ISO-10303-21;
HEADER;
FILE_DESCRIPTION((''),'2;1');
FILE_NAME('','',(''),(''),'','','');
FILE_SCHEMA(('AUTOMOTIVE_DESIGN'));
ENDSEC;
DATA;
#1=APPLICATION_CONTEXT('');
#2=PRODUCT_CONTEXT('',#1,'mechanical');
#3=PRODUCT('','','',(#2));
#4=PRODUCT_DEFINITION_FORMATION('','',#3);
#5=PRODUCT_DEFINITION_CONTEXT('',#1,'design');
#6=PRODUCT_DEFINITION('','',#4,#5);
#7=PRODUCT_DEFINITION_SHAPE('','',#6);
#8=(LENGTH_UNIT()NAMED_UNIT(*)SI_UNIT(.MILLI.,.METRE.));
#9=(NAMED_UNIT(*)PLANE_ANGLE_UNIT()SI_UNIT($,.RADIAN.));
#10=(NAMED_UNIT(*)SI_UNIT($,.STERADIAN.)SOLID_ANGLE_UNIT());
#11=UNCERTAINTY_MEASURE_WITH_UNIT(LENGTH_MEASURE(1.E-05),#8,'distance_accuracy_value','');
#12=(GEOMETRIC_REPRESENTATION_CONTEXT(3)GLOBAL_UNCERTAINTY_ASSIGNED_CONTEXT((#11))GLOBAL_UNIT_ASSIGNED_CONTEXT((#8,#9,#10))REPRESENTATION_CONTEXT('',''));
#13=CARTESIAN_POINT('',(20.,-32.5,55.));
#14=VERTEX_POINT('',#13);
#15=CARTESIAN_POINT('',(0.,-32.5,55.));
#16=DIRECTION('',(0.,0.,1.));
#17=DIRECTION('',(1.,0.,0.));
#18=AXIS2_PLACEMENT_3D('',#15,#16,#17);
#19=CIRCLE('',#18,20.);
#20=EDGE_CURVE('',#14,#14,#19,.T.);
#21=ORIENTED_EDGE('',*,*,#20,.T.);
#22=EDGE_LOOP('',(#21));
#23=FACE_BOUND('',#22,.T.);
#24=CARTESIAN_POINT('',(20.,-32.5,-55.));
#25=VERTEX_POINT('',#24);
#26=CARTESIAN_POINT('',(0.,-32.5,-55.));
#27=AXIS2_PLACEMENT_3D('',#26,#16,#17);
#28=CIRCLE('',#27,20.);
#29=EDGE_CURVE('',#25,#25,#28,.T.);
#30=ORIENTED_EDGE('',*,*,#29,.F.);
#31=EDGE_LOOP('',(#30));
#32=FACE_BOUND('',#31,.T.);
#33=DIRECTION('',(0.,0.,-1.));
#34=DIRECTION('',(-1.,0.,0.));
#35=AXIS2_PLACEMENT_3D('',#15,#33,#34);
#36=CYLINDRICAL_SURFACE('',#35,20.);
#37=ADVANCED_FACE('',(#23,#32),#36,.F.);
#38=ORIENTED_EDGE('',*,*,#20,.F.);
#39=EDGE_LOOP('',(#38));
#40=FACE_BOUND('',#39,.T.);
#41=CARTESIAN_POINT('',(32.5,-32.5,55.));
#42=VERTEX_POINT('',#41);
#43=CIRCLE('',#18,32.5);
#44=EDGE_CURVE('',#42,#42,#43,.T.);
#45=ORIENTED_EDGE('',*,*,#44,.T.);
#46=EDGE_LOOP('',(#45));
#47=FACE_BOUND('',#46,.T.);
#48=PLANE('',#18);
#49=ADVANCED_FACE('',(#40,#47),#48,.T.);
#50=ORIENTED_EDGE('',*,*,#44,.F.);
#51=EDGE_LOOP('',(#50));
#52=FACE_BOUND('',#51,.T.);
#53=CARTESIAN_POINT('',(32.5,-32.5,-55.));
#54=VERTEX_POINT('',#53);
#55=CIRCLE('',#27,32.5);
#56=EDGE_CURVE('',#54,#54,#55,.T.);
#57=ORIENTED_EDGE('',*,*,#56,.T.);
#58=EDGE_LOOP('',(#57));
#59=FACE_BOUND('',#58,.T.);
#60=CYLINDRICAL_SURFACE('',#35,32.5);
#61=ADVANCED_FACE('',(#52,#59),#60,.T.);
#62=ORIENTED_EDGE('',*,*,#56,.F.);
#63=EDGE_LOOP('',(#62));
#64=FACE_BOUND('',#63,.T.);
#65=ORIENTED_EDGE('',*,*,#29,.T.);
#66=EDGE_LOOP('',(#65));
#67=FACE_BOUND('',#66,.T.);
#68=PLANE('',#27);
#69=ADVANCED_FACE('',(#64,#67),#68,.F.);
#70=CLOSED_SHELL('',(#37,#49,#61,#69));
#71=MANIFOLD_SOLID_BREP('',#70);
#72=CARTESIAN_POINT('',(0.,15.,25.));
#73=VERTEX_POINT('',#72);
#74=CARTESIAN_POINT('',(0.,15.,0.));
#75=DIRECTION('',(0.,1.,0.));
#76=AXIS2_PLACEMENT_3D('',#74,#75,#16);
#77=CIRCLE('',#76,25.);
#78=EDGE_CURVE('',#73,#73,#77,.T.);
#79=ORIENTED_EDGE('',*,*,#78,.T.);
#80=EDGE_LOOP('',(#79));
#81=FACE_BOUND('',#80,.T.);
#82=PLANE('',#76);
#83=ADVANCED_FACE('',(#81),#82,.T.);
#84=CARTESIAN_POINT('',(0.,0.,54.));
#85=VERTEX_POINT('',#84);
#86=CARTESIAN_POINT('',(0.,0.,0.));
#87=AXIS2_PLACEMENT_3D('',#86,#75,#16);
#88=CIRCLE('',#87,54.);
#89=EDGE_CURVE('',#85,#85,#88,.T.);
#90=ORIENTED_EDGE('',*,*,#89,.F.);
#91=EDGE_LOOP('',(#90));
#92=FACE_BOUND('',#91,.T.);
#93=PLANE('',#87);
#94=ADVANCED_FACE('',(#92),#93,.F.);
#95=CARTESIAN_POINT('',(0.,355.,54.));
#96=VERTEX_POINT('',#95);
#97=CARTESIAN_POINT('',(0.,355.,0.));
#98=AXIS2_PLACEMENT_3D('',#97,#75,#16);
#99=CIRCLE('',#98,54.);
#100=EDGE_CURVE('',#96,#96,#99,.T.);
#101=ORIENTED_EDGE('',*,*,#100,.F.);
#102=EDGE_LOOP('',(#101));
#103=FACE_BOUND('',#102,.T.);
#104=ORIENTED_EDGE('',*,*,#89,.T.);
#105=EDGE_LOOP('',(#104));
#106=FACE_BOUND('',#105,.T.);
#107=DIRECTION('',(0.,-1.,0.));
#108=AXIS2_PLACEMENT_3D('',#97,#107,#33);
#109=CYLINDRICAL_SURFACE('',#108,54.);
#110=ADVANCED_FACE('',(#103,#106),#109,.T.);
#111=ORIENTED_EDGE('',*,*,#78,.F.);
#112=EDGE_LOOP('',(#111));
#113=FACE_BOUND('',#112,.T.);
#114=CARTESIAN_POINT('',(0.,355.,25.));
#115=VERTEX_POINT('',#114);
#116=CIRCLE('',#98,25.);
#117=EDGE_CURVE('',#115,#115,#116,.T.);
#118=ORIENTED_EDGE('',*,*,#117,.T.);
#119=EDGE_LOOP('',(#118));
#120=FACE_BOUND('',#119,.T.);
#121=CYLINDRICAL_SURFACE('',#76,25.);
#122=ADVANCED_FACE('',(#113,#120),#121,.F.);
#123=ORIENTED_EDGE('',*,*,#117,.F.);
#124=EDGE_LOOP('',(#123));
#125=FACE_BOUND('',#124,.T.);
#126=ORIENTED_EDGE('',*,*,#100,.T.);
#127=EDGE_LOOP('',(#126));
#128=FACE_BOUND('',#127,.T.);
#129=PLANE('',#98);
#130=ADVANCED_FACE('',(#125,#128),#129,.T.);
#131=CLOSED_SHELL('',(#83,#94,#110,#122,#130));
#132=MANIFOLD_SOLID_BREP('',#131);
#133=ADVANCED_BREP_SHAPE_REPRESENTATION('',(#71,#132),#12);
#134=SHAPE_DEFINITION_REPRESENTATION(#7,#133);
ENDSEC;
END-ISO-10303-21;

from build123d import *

# Parameters (mm, degrees)
SKETCH_1_R          = 54
EXTRUDE_1_DEPTH     = 355
SKETCH_2_R          = 25
CUT_EXTRUDE_1_DEPTH = 340
SKETCH_3_R          = 32.5
SKETCH_3_R_2        = 20
EXTRUDE_2_DEPTH     = 55


with BuildPart() as part:
    # 草图1 → 凸台-拉伸1 (new body)
    with BuildSketch(Plane(origin=(0, 0, 0), x_dir=(1, 0, 0), z_dir=(0, 1, 0))):
        with Locations(Location((0, 0, 0), (0, 0, 270))):
            Circle(SKETCH_1_R)
    extrude(amount=EXTRUDE_1_DEPTH)

    # 草图2 → 切除-拉伸1 (cut)
    with BuildSketch(Plane(origin=(0, 355, 0), x_dir=(1, 0, 0), z_dir=(0, 1, 0))):
        with Locations(Location((0, 0, 0), (0, 0, 270))):
            Circle(SKETCH_2_R)
    extrude(amount=-CUT_EXTRUDE_1_DEPTH, mode=Mode.SUBTRACT)


with BuildPart() as body_2:
    # 草图3 → 凸台-拉伸2 (new, symmetric)
    with BuildSketch(Plane.XY):
        with Locations((0, -32.5)):
            Circle(SKETCH_3_R)
        with Locations((0, -32.5)):
            Circle(SKETCH_3_R_2, mode=Mode.SUBTRACT)
    extrude(amount=EXTRUDE_2_DEPTH, both=True)


solid = Compound([part.part, body_2.part])
